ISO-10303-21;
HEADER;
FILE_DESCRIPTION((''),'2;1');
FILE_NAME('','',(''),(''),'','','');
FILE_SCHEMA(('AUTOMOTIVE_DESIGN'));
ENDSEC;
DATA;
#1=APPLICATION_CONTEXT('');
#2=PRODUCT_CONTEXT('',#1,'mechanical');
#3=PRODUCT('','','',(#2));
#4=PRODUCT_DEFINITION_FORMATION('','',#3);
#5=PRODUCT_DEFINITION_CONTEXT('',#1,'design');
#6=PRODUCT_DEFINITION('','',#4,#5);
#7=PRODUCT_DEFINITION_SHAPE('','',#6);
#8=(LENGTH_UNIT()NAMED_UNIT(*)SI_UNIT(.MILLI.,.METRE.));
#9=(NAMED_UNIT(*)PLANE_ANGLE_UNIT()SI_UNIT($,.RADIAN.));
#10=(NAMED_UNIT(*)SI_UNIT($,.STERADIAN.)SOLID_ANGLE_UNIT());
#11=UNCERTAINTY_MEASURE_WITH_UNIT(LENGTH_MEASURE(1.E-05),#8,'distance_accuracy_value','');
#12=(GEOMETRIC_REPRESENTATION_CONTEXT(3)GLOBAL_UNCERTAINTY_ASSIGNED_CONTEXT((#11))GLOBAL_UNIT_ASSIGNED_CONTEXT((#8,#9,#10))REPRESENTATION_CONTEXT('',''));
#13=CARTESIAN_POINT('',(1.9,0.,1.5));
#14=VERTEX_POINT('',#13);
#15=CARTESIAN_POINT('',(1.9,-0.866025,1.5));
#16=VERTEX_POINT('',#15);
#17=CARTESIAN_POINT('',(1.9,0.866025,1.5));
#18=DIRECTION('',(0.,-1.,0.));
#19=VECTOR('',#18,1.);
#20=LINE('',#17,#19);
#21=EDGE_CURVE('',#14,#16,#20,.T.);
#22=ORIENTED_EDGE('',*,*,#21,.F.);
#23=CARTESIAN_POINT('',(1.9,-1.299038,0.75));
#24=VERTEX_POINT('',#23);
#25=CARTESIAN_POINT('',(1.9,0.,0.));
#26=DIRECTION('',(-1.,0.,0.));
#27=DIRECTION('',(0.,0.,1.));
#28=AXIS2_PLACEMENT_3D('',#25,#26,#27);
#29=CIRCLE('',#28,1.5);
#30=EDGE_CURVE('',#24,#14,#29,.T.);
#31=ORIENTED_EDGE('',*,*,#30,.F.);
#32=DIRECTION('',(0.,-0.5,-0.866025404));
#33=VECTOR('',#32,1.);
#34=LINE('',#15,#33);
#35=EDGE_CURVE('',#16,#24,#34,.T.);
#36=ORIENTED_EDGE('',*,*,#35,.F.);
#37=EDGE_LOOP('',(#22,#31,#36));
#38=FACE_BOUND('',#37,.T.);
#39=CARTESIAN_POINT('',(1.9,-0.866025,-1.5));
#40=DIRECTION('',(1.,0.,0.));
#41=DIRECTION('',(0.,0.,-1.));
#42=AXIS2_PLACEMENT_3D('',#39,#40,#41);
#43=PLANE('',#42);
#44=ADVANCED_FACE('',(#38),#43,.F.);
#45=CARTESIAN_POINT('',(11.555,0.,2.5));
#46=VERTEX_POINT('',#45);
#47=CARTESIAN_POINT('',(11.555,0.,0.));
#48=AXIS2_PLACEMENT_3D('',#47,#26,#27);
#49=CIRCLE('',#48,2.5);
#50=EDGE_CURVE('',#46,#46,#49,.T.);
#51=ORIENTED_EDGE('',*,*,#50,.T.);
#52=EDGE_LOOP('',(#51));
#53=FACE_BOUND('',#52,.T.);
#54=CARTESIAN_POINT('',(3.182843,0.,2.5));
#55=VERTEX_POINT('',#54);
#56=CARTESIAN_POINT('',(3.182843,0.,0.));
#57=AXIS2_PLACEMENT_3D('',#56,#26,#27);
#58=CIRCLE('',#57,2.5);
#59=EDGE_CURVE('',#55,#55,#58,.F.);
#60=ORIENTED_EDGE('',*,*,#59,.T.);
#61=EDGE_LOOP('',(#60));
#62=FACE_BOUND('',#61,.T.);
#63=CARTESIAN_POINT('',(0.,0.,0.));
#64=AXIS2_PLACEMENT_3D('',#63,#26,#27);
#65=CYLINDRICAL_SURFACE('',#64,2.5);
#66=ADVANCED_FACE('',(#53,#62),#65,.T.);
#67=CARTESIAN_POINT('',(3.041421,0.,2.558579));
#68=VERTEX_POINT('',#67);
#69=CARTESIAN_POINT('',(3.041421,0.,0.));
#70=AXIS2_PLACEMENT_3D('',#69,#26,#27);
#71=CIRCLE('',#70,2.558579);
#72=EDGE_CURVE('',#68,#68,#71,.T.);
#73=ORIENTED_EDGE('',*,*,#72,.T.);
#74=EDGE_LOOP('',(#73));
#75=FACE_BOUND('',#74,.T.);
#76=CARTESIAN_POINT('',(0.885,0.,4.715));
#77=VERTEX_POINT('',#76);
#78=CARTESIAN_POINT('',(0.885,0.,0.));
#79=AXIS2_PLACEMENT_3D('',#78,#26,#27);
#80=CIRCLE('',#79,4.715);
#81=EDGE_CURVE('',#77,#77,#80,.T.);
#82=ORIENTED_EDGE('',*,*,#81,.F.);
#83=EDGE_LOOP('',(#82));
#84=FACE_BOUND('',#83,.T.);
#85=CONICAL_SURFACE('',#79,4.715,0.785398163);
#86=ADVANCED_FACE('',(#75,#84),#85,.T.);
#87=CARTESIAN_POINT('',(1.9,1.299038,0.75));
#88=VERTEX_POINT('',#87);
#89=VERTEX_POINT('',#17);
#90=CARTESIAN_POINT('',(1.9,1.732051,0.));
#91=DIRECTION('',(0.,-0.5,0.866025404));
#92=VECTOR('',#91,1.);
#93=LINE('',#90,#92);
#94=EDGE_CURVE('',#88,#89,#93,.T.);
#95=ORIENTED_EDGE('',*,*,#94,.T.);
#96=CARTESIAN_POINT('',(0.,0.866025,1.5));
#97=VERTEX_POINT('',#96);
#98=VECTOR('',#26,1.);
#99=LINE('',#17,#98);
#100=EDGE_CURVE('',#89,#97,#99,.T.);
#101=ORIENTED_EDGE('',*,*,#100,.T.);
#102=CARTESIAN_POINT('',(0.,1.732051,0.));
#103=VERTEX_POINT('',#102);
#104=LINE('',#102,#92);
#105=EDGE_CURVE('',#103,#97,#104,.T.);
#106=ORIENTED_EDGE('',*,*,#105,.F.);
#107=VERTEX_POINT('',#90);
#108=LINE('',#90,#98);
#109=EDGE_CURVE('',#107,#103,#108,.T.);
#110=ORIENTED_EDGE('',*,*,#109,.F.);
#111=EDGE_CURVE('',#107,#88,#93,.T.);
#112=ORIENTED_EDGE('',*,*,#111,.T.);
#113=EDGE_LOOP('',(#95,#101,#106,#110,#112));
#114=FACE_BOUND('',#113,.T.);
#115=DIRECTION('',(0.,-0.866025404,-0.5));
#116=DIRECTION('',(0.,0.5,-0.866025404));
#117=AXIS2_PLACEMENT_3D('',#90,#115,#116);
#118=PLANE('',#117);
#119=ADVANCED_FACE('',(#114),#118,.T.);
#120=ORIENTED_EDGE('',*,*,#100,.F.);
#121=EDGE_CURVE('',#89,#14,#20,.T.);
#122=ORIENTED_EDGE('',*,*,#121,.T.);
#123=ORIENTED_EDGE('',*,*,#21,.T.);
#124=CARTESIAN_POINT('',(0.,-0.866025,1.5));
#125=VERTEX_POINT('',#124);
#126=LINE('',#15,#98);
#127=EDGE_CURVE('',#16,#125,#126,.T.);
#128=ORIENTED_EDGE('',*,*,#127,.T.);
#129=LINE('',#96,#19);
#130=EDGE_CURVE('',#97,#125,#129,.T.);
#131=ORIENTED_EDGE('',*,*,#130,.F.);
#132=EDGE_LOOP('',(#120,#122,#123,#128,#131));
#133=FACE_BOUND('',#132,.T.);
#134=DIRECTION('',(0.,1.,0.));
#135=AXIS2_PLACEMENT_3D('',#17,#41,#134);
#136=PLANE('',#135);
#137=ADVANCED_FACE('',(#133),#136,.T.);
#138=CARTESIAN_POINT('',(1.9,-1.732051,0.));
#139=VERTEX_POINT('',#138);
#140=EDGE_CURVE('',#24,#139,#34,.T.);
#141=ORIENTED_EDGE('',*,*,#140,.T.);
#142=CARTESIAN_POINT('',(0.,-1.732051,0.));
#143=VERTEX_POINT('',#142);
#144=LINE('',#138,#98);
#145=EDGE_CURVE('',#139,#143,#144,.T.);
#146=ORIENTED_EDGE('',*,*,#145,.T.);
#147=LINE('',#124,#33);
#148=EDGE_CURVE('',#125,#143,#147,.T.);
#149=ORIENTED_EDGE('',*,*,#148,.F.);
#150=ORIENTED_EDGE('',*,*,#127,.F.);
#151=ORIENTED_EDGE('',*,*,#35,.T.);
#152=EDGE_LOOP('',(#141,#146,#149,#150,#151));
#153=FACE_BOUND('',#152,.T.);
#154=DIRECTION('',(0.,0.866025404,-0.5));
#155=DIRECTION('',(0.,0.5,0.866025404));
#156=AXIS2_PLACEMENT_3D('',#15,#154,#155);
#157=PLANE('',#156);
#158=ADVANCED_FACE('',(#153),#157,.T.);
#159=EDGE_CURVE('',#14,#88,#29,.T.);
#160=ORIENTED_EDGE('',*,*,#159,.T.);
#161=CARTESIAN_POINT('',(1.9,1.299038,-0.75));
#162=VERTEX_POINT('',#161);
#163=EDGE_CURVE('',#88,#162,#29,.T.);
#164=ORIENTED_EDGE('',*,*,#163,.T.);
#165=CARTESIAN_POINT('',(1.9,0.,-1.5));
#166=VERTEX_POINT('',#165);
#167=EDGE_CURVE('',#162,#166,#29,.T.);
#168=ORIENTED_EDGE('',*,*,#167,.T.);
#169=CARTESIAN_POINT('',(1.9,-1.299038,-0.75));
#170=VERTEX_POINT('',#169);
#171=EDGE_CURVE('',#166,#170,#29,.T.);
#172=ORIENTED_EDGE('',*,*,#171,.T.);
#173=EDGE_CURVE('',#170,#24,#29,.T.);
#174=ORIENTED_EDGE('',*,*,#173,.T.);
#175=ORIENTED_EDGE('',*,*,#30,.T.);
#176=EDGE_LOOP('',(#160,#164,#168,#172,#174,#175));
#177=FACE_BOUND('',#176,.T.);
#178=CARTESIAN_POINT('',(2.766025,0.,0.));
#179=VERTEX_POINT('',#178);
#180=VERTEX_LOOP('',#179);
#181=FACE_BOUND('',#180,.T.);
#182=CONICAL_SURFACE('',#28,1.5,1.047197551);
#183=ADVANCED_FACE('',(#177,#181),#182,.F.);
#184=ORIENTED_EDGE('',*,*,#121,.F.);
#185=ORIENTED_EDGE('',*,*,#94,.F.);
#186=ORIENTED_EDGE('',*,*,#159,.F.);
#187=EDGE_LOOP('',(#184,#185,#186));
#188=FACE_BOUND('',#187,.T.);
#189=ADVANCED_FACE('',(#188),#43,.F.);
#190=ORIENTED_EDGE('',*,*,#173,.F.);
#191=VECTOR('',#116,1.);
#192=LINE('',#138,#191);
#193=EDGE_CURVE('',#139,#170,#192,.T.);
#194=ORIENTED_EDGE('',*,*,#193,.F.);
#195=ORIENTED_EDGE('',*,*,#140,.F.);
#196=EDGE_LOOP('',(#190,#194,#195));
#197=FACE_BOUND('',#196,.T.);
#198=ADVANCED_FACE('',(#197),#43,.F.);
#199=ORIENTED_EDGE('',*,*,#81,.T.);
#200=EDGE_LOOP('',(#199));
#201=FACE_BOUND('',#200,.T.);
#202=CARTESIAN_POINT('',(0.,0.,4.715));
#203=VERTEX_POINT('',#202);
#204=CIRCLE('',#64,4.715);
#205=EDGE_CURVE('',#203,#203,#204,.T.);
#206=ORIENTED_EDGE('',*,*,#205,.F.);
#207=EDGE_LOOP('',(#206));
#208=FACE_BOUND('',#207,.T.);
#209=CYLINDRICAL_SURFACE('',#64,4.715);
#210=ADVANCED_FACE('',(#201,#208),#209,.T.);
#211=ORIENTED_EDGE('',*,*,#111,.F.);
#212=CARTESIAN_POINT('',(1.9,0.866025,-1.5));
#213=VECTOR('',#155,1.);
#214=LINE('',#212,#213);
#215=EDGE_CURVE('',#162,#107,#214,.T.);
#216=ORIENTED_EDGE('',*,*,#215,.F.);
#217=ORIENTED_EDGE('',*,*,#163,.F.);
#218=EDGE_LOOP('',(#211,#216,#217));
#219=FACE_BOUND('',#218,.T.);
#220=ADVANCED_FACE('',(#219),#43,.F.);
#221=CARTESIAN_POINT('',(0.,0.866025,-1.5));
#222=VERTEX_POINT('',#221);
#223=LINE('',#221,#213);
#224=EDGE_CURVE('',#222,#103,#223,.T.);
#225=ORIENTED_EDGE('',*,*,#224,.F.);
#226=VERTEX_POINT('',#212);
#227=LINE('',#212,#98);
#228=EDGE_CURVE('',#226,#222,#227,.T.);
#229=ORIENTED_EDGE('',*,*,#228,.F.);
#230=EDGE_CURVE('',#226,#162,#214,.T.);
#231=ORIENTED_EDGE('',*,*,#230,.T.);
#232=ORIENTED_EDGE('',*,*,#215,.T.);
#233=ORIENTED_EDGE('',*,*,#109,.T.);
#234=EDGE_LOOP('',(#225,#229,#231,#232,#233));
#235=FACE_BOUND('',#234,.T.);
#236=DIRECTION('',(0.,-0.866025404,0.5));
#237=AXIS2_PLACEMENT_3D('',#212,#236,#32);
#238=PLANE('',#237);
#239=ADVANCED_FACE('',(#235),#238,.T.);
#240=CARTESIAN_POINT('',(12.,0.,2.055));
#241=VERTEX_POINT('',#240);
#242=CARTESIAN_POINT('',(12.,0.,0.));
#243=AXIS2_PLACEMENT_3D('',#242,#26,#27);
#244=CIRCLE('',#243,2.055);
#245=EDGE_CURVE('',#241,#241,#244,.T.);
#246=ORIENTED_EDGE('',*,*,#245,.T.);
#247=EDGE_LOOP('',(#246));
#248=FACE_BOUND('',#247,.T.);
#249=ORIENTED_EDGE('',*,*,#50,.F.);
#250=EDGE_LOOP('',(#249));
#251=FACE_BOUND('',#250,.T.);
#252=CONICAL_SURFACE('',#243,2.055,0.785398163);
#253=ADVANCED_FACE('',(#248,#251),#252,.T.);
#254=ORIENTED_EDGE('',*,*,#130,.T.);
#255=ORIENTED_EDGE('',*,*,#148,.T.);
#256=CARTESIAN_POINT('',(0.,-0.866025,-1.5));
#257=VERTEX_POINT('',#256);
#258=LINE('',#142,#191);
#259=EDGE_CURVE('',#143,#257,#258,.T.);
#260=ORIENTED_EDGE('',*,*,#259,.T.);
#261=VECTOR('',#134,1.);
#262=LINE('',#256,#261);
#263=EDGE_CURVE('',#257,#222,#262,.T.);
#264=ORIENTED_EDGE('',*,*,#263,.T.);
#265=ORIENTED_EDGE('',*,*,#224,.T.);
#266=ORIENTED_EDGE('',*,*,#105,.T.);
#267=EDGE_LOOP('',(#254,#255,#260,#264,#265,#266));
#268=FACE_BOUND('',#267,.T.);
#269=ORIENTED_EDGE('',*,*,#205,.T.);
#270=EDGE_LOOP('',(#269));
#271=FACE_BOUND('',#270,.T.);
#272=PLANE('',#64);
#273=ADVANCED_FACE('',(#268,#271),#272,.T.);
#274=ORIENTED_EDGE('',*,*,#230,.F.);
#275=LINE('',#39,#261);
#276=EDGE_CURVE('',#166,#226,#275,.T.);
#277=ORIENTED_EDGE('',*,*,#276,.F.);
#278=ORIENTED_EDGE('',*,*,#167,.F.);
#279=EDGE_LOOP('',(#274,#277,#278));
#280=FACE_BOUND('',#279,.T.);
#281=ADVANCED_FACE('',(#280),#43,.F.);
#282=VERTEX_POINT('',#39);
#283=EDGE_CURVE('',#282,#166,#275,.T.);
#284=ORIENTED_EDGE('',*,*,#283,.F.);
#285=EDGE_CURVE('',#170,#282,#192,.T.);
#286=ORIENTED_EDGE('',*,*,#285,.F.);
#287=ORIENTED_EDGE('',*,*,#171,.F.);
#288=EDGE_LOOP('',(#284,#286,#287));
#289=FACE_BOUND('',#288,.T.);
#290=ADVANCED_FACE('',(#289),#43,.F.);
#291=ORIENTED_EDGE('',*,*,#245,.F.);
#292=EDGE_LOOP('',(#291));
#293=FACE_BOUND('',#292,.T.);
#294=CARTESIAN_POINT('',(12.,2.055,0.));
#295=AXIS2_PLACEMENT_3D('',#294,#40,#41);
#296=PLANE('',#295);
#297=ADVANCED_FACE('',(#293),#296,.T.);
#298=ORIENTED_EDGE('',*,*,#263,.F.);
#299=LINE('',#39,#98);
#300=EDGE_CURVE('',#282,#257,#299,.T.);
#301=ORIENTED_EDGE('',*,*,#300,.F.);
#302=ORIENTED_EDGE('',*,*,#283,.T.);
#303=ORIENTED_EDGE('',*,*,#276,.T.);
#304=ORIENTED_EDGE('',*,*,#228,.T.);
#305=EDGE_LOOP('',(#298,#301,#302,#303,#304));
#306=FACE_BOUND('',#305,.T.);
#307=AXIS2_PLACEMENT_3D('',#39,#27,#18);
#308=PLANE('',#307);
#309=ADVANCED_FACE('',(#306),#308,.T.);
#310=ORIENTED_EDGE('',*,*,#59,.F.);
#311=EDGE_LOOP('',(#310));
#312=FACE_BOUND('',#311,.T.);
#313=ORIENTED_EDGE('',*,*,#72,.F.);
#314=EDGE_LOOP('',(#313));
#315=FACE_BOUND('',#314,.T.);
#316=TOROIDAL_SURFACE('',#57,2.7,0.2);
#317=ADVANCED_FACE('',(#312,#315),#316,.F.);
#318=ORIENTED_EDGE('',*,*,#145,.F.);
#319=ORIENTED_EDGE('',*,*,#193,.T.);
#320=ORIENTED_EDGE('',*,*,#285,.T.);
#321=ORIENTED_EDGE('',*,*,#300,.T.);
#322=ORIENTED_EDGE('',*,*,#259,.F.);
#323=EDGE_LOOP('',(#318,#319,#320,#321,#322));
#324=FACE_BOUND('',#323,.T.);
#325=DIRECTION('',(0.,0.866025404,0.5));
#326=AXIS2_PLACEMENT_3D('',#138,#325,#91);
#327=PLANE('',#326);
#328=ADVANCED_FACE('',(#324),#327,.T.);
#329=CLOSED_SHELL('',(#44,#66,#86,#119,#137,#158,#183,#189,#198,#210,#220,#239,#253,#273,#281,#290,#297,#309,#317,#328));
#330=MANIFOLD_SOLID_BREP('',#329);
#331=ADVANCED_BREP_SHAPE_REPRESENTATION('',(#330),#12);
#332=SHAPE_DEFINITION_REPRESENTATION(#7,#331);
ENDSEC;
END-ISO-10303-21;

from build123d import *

# Parameters (mm, degrees)
FILLET1_R   = 0.2
HEX_2_DEPTH = 1.9


with BuildPart() as part:
    # BodySke → BaseBody (revolve)
    with BuildSketch(Plane.XY, mode=Mode.PRIVATE) as basebody_sk:
        Polygon((0, 0), (0, 4.715), (0.885, 4.715), (3.1, 2.5), (11.555, 2.5), (12, 2.055), (12, 0), align=None)
    revolve(basebody_sk.sketch.rotate(Axis((0, 0, 0), (1, 0, 0)), 90), axis=Axis((0, 0, 0), (1, 0, 0)))  # turned: the seam where the file's is

    # Fillet1
    fillet1_edges = [part.edges().sort_by_distance(p)[0] for p in [
        (3.1, 0, -2.5),
    ]]
    fillet(fillet1_edges, radius=FILLET1_R)

    # Sketch2 → PreBroach (revolve, cut)
    with BuildSketch(Plane.XY, mode=Mode.PRIVATE) as prebroach_sk:
        Polygon((0, 1.5), (1.9, 1.5), (2.766025404, 0), (0, 0), align=None)
    revolve(prebroach_sk.sketch.rotate(Axis((0, 0, 0), (1, 0, 0)), 90), axis=Axis((0, 0, 0), (1, 0, 0)), mode=Mode.SUBTRACT)  # turned: the seam where the file's is

    # Sketch3 → Hex 2 (cut)
    with BuildSketch(Plane.ZY):
        Polygon((-1.5, -0.866025404), (-1.5, 0.866025404), (0, 1.732050808), (1.5, 0.866025404), (1.5, -0.866025404), (0, -1.732050808), align=None)
    extrude(amount=-HEX_2_DEPTH, mode=Mode.SUBTRACT)


solid = part.part
